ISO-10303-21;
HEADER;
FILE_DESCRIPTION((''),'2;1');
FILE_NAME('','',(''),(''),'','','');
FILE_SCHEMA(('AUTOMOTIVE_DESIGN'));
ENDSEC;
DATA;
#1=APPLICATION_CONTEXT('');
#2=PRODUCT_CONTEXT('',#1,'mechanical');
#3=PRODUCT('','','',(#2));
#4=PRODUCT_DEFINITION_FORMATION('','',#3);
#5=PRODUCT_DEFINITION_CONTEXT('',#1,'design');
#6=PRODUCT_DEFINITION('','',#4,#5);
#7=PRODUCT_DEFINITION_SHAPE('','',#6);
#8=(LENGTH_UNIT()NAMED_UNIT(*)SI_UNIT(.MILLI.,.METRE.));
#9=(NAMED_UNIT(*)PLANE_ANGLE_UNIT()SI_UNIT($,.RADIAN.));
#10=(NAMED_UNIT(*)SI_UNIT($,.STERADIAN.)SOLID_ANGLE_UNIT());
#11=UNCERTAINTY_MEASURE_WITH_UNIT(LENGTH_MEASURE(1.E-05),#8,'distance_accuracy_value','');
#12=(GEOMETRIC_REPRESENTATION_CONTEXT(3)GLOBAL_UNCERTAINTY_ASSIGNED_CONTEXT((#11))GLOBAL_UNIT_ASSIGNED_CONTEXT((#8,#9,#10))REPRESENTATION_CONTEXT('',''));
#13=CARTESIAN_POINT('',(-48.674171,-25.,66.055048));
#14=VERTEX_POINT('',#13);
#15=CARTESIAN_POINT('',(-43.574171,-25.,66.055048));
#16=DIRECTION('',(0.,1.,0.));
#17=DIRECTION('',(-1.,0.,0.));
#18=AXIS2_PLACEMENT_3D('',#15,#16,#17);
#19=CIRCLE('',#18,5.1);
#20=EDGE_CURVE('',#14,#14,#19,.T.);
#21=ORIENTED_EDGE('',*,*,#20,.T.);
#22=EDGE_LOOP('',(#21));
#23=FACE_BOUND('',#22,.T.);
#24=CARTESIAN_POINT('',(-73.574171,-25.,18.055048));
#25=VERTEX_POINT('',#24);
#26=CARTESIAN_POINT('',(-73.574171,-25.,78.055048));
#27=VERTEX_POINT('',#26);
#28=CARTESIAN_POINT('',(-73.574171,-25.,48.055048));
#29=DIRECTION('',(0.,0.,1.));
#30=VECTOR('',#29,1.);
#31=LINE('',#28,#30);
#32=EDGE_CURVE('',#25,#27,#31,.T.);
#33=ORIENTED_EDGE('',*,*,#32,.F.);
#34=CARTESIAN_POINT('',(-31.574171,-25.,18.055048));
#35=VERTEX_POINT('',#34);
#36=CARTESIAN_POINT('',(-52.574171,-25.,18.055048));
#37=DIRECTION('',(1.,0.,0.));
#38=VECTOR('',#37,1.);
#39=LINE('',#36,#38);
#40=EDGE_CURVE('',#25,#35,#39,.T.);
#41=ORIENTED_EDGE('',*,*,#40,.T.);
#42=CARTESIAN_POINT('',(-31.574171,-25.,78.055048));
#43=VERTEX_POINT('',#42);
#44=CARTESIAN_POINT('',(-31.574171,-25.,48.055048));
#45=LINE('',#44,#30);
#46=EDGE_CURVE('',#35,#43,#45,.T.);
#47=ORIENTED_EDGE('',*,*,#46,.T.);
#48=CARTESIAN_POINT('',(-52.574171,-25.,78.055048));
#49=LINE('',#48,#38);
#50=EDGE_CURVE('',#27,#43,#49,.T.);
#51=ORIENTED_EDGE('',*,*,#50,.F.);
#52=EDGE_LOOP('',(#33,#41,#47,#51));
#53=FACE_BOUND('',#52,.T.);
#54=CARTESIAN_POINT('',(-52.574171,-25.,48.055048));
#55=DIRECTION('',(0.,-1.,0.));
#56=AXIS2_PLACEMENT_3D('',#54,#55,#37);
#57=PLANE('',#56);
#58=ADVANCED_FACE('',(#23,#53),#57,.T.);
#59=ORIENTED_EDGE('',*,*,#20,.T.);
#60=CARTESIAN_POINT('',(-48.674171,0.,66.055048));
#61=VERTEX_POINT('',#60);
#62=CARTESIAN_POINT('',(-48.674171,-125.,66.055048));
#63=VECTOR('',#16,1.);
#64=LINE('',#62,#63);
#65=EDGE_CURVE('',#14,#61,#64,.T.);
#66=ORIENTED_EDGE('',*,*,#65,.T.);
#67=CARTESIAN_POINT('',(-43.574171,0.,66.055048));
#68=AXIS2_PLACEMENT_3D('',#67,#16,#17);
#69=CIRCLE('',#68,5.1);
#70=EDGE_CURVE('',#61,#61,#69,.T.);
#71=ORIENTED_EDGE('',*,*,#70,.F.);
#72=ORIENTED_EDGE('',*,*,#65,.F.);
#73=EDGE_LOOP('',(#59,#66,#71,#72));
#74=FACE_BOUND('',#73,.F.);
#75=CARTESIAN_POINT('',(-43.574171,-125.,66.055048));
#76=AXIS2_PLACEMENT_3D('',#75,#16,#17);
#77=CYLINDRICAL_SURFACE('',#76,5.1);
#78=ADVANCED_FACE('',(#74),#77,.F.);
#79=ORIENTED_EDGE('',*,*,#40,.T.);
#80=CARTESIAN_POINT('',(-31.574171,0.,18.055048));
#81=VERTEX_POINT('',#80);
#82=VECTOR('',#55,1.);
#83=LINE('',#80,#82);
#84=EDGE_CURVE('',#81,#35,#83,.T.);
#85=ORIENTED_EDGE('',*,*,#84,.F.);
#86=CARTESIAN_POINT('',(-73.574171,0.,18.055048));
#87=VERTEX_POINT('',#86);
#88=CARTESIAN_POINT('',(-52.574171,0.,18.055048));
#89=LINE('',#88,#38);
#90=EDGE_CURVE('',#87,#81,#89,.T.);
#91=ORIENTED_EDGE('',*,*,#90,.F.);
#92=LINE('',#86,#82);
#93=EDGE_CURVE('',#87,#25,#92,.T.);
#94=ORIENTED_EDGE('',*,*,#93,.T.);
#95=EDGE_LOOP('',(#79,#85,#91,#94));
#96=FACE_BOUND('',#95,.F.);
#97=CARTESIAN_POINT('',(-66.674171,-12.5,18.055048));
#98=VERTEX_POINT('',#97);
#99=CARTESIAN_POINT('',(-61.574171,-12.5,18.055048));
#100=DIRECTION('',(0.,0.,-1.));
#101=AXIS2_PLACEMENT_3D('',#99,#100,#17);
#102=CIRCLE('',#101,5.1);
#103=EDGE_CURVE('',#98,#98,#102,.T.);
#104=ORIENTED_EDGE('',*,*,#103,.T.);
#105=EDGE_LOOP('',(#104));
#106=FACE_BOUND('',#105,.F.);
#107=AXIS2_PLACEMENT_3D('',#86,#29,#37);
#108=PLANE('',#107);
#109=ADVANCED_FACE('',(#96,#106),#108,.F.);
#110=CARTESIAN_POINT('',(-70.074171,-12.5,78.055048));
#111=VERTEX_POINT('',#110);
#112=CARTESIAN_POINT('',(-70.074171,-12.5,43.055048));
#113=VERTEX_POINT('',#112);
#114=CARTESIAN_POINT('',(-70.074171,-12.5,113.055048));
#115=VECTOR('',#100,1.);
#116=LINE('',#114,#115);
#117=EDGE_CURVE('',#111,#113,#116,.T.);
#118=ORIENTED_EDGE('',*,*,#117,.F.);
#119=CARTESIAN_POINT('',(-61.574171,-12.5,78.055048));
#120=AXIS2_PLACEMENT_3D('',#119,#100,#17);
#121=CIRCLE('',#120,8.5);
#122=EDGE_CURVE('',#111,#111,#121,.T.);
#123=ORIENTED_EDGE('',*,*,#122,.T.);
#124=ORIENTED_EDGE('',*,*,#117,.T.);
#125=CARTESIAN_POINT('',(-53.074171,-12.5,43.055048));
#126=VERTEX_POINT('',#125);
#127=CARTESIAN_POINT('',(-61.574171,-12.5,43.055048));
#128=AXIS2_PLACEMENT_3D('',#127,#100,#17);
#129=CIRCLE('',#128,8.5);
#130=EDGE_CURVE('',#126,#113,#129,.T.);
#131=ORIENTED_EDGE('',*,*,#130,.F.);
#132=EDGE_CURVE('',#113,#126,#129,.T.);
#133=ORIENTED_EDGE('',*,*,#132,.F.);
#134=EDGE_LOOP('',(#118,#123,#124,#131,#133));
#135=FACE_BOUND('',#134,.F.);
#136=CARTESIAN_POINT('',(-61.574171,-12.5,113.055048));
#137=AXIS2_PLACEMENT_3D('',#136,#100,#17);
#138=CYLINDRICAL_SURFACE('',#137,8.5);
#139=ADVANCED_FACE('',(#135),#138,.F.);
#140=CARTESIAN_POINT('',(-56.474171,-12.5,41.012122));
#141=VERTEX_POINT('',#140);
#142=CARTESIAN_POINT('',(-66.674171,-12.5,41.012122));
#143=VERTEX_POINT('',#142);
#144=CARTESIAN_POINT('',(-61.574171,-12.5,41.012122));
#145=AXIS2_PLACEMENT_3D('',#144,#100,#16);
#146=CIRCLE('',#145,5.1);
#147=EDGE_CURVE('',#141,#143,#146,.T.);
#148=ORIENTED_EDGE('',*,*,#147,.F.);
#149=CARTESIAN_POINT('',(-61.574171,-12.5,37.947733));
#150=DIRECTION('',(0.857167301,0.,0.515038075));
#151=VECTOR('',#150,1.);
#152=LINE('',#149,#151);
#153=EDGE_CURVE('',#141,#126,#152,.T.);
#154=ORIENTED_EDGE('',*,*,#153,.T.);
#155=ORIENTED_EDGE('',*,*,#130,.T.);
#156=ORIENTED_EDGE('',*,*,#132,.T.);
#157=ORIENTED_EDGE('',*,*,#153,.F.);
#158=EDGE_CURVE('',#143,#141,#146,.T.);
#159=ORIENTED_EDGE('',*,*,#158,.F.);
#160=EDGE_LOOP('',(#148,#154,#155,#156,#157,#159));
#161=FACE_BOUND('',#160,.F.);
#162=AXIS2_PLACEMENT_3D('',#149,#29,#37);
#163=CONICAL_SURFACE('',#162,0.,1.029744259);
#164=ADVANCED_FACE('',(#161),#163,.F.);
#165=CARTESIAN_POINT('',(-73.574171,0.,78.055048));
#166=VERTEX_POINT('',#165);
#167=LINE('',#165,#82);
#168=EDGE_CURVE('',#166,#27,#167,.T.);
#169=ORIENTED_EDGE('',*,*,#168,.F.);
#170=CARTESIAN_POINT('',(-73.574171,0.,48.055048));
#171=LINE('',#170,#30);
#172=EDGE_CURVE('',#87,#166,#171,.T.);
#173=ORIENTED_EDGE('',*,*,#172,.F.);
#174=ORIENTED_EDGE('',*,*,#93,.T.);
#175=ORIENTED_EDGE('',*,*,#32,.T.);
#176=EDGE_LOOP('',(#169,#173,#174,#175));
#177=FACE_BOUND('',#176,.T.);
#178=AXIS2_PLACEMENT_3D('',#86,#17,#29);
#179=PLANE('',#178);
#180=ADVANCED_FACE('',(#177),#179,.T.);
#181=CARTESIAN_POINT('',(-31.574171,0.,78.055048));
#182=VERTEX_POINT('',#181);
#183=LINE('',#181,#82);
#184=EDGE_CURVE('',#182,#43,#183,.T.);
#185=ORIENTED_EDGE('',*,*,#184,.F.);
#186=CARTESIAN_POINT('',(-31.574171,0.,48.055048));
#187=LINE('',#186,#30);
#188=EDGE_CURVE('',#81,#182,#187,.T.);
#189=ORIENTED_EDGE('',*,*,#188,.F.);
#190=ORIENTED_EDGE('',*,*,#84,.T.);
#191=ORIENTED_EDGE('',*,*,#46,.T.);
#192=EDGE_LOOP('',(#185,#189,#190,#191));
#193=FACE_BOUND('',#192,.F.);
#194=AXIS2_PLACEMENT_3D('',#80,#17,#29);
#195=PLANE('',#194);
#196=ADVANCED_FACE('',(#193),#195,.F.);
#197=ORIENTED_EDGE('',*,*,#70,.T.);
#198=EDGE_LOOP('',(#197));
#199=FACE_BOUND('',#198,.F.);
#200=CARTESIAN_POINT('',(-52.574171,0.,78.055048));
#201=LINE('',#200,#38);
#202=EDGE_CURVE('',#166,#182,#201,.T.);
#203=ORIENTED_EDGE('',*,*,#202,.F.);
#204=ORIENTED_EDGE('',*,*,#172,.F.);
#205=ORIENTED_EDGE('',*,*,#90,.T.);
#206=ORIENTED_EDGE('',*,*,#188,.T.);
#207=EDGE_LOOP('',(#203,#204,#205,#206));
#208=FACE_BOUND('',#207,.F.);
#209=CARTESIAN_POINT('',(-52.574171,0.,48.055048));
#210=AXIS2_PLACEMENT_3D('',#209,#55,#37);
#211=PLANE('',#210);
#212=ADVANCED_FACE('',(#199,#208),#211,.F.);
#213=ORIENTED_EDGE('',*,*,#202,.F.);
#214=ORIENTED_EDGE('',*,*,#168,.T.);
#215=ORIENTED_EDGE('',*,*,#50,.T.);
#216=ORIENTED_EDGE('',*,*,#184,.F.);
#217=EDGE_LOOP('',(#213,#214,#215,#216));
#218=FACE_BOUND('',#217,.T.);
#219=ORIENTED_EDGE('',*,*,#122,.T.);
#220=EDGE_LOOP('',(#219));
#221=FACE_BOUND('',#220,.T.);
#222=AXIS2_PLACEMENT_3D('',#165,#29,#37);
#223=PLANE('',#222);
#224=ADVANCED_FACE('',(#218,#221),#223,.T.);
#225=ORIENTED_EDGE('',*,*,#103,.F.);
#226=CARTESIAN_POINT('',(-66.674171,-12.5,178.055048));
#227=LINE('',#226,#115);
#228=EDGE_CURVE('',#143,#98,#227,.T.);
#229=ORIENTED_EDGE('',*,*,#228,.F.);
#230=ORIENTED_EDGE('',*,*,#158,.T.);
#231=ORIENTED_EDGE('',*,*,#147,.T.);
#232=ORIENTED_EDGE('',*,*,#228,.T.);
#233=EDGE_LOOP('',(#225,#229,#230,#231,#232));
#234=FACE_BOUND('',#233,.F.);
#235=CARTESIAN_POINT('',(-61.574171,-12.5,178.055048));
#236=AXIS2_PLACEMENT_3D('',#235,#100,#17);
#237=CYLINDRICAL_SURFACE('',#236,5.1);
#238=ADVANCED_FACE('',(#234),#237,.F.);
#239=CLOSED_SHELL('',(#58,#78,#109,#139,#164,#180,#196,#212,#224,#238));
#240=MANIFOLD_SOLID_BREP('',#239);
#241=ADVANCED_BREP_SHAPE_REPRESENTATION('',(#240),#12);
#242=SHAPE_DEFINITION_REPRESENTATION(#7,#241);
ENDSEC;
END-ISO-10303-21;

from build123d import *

# Parameters (mm, degrees)
F0_W     = 42
F0_H     = 60
F1_DEPTH = 25
F4_D     = 10.2
F4_DEPTH = 100
F4_TIP   = 3.064389157
F5_D     = 10.2
F5_DEPTH = 100
F5_TIP   = 3.064389157
F6_D     = 17
F6_DEPTH = 35
F6_TIP   = 5.1073152617


with BuildPart() as f1:
    # F0 (on Front) → F1 (new body)
    with BuildSketch(Plane.XZ):
        with Locations((-52.5741710365, 48.0550478399)):
            Rectangle(F0_W, F0_H)
    extrude(amount=F1_DEPTH)

    # F4
    with Locations(Plane.XZ.offset(25)):
        with Locations((-43.5741710365, 66.0550478399)):
            Hole(F4_D / 2, depth=F4_DEPTH)
            with Locations((0, 0, -(F4_DEPTH + F4_TIP / 2))):  # 118° drill point
                Cone(0, F4_D / 2, F4_TIP, mode=Mode.SUBTRACT)

    # F5
    with Locations(Plane.XY.offset(78.0550478399)):
        with Locations((-61.5741710365, -12.5)):
            Hole(F5_D / 2, depth=F5_DEPTH)
            with Locations((0, 0, -(F5_DEPTH + F5_TIP / 2))):  # 118° drill point
                Cone(0, F5_D / 2, F5_TIP, mode=Mode.SUBTRACT)

    # F6
    with Locations(Plane.XY.offset(78.0550478399)):
        with Locations((-61.5741710365, -12.5)):
            Hole(F6_D / 2, depth=F6_DEPTH)
            with Locations((0, 0, -(F6_DEPTH + F6_TIP / 2))):  # 118° drill point
                Cone(0, F6_D / 2, F6_TIP, mode=Mode.SUBTRACT)


solid = f1.part
